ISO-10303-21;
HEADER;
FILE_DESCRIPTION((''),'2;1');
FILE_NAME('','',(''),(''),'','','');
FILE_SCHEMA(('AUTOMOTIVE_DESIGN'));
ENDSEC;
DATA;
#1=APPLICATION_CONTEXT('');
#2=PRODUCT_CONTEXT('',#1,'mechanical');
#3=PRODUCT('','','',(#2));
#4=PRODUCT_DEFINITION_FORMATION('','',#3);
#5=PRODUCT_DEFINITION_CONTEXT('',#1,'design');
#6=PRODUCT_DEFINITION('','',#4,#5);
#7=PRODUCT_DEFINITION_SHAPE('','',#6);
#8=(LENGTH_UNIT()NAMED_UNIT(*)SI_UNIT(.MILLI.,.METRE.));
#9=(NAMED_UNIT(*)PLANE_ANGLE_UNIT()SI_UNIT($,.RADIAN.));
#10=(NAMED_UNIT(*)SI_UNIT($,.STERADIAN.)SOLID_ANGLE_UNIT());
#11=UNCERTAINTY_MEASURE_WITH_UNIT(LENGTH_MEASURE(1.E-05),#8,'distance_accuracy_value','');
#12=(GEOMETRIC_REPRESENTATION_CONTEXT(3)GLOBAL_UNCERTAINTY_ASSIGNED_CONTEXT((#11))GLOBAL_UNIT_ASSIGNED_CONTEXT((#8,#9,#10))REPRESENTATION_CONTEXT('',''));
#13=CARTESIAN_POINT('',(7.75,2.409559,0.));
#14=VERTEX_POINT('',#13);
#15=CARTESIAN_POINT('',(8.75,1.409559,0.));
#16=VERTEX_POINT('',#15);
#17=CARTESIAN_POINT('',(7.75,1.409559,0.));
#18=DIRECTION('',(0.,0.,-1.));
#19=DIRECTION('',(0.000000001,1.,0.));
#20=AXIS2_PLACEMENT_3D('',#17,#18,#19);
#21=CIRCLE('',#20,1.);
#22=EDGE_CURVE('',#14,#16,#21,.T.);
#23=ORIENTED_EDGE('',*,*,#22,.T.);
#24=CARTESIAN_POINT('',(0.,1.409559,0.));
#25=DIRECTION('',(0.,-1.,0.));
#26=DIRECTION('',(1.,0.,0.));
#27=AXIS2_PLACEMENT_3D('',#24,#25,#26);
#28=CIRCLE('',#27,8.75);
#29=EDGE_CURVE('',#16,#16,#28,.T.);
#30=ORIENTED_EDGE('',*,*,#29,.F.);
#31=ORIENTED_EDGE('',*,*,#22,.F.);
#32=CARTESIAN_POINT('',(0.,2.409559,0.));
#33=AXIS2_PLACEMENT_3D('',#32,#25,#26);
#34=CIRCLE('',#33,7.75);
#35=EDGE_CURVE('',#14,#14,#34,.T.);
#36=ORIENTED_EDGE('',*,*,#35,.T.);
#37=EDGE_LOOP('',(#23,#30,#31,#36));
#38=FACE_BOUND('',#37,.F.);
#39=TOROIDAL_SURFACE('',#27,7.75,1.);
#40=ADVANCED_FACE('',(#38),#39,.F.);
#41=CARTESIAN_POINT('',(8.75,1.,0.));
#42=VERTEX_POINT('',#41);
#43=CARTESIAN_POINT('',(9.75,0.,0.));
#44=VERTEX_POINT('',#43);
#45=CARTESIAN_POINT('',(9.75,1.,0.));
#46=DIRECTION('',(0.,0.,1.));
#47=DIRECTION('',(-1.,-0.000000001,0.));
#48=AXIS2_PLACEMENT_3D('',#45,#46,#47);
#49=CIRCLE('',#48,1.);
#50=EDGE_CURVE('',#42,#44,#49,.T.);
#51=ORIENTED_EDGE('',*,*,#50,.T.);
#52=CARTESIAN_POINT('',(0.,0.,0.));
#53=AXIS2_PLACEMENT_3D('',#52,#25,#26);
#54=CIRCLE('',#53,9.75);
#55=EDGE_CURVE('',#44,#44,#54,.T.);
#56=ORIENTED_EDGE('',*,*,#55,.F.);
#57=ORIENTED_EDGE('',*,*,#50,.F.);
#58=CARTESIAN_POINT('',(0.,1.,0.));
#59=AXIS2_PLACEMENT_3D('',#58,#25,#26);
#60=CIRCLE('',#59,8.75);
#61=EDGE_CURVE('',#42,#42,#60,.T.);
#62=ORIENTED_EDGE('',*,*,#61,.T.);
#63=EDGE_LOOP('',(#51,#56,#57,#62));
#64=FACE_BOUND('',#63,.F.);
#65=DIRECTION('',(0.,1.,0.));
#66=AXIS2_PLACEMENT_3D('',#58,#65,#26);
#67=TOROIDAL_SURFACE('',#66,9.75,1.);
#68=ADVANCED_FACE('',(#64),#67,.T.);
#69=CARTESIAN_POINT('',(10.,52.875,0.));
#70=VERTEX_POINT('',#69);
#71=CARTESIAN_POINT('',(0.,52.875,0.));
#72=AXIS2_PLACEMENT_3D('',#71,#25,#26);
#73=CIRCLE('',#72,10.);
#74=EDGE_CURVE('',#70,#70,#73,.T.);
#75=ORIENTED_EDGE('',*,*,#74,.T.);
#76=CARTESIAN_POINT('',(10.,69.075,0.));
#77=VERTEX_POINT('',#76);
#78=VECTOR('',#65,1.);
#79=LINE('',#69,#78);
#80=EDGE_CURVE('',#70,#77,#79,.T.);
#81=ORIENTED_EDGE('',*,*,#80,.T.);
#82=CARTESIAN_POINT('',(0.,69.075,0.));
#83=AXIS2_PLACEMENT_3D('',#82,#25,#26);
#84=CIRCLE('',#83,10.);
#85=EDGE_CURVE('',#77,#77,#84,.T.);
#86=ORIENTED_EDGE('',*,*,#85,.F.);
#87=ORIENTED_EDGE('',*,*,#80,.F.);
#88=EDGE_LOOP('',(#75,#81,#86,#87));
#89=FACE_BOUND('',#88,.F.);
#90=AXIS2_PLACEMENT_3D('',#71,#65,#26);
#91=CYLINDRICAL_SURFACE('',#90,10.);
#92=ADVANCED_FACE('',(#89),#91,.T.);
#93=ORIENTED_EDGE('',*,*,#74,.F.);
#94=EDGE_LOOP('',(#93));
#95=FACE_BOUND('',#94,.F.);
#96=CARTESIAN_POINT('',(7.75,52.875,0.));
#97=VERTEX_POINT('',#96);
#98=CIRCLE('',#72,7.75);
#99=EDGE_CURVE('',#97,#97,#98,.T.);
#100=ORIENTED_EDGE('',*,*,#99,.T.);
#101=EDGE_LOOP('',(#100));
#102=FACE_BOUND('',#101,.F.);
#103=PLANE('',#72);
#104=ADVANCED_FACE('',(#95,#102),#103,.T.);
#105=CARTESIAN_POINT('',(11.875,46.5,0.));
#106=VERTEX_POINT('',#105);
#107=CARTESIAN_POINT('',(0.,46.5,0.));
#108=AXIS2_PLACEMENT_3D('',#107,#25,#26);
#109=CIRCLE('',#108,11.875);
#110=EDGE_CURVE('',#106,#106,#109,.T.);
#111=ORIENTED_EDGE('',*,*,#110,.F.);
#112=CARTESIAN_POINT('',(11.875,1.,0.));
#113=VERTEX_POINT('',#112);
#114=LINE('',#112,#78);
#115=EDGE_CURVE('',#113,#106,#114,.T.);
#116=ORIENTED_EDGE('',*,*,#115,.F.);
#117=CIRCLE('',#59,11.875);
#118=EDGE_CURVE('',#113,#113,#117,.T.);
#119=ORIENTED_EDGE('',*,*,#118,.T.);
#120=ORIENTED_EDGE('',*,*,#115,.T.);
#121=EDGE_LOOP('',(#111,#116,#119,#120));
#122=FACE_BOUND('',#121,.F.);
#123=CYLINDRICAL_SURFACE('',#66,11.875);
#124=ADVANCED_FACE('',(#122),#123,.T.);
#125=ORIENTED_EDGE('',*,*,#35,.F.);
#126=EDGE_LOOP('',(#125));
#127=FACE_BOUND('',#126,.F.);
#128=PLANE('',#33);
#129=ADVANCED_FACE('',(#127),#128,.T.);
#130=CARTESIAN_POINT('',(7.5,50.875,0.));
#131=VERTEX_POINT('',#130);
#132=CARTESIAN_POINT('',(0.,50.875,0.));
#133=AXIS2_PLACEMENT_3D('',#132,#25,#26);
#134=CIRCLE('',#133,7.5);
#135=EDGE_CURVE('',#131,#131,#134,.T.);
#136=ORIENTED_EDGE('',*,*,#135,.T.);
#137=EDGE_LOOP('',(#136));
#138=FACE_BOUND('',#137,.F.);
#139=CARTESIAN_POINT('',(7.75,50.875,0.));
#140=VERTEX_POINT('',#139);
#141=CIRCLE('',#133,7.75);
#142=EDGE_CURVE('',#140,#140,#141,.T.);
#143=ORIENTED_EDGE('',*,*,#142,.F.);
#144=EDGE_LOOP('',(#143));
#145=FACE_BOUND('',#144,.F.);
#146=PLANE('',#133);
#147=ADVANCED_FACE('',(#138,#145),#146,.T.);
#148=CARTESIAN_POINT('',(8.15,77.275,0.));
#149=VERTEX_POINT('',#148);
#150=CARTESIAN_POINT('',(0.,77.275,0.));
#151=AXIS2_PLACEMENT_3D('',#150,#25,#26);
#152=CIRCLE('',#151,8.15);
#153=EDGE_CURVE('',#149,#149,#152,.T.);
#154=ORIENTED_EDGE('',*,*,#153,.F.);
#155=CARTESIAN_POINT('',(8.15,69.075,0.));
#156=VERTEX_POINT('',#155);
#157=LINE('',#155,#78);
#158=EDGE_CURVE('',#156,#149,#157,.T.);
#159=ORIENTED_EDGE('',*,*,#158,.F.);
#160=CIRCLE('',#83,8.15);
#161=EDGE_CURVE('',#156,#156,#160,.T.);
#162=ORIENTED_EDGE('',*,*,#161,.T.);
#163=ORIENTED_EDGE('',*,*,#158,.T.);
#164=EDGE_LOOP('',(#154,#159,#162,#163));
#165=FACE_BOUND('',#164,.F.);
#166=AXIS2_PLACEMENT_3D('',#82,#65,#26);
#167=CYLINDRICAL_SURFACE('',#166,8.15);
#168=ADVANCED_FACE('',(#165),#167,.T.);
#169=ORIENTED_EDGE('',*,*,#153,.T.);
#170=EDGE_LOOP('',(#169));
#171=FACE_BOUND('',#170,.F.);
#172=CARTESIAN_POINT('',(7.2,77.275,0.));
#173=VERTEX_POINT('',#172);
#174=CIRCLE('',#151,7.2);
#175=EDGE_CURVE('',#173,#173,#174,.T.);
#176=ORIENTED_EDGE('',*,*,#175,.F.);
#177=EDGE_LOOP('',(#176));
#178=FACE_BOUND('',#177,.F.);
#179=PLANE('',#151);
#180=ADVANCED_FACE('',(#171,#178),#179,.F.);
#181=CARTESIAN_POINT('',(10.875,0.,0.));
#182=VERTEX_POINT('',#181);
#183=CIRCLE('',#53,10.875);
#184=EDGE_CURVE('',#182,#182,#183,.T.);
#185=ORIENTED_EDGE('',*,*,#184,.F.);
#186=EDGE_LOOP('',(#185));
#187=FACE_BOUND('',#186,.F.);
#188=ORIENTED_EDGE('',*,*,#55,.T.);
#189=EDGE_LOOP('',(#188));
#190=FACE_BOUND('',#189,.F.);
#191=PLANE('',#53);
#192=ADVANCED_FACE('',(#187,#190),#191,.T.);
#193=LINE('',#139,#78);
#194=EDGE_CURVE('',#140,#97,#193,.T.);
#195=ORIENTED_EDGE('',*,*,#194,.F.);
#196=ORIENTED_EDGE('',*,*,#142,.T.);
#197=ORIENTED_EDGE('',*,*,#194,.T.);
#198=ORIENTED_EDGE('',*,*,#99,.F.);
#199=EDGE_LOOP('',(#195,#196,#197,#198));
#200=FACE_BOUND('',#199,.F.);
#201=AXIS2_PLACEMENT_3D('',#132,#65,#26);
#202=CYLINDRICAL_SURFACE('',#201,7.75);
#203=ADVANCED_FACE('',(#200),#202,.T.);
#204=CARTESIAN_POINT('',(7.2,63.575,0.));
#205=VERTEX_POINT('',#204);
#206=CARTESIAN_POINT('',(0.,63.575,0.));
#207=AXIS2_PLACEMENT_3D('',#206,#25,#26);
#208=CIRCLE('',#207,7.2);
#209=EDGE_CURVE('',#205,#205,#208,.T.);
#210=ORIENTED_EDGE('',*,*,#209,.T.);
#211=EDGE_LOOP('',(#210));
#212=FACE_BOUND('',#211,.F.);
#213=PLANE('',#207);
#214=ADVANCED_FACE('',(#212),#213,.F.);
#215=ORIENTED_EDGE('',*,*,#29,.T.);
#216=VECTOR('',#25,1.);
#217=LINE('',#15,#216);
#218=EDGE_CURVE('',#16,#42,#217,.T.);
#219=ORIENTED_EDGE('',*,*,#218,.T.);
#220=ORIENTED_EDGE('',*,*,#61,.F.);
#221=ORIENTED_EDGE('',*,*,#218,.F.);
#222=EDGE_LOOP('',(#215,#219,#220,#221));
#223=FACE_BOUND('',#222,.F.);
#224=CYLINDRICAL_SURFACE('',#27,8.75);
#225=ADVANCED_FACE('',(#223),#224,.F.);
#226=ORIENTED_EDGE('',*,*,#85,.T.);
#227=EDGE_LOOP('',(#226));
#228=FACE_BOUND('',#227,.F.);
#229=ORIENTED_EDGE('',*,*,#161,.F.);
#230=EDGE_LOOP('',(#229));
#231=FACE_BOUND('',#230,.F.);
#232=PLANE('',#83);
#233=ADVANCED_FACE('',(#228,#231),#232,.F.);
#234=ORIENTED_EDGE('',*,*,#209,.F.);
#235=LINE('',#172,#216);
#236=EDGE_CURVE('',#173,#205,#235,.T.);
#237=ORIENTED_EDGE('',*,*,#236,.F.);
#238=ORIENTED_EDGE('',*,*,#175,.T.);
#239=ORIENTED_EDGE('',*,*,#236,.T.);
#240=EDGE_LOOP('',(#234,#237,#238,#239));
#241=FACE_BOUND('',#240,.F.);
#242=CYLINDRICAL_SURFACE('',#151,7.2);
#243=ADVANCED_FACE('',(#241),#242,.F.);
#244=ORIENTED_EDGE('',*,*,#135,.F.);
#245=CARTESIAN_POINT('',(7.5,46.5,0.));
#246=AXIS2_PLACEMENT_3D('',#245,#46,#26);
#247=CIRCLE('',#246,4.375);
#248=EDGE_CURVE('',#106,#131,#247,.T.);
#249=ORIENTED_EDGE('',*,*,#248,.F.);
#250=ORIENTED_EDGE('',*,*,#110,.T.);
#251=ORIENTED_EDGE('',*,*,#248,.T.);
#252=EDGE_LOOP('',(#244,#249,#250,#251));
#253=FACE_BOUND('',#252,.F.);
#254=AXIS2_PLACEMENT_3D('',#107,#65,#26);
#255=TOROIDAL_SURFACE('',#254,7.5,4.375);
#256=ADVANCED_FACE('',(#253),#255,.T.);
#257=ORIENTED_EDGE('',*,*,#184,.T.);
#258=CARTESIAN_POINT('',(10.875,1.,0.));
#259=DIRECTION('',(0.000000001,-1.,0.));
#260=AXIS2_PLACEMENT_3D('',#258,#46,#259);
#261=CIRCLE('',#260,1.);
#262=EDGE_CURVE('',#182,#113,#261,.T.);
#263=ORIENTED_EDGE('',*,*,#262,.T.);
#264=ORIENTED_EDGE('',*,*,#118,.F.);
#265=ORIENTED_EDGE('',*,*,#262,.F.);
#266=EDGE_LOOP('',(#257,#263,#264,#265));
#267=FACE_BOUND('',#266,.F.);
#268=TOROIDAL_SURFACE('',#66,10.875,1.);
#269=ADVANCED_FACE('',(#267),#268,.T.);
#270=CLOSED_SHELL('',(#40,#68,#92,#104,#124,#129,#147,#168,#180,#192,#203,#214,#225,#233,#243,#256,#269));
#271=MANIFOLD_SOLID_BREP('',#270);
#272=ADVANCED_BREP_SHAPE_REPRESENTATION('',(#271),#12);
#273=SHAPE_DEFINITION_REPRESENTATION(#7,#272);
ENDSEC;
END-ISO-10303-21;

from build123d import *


with BuildPart() as part:
    # Sketch1 → Revolve1 (revolve)
    with BuildSketch(Plane.XY):
        with BuildLine():
            ThreePointArc((8.75, 1), (9.042893219, 0.292893219), (9.75, 0))
            Line((9.75, 0), (10.875, 0))
            ThreePointArc((10.875, 0), (11.582106781, 0.292893219), (11.875, 1))
            Line((11.875, 1), (11.875, 46.5))
            ThreePointArc((11.875, 46.5), (10.593592168, 49.593592168), (7.5, 50.875))
            Line((7.5, 50.875), (7.75, 50.875))
            Line((7.75, 50.875), (7.75, 52.875))
            Line((7.75, 52.875), (10, 52.875))
            Line((10, 52.875), (10, 69.075))
            Line((10, 69.075), (8.15, 69.075))
            Line((8.15, 69.075), (8.15, 77.275))
            Line((8.15, 77.275), (7.2, 77.275))
            Line((7.2, 77.275), (7.2, 63.575))
            Line((7.2, 63.575), (0, 63.575))
            Line((0, 63.575), (0, 2.409558552))
            Line((0, 2.409558552), (7.75, 2.409558552))
            ThreePointArc((7.75, 2.409558552), (8.457106781, 2.116665333), (8.75, 1.409558552))
            Line((8.75, 1.409558552), (8.75, 1))
        make_face()
    revolve(axis=Axis((0, 65.8, 0), (0, -1, 0)))


solid = part.part
